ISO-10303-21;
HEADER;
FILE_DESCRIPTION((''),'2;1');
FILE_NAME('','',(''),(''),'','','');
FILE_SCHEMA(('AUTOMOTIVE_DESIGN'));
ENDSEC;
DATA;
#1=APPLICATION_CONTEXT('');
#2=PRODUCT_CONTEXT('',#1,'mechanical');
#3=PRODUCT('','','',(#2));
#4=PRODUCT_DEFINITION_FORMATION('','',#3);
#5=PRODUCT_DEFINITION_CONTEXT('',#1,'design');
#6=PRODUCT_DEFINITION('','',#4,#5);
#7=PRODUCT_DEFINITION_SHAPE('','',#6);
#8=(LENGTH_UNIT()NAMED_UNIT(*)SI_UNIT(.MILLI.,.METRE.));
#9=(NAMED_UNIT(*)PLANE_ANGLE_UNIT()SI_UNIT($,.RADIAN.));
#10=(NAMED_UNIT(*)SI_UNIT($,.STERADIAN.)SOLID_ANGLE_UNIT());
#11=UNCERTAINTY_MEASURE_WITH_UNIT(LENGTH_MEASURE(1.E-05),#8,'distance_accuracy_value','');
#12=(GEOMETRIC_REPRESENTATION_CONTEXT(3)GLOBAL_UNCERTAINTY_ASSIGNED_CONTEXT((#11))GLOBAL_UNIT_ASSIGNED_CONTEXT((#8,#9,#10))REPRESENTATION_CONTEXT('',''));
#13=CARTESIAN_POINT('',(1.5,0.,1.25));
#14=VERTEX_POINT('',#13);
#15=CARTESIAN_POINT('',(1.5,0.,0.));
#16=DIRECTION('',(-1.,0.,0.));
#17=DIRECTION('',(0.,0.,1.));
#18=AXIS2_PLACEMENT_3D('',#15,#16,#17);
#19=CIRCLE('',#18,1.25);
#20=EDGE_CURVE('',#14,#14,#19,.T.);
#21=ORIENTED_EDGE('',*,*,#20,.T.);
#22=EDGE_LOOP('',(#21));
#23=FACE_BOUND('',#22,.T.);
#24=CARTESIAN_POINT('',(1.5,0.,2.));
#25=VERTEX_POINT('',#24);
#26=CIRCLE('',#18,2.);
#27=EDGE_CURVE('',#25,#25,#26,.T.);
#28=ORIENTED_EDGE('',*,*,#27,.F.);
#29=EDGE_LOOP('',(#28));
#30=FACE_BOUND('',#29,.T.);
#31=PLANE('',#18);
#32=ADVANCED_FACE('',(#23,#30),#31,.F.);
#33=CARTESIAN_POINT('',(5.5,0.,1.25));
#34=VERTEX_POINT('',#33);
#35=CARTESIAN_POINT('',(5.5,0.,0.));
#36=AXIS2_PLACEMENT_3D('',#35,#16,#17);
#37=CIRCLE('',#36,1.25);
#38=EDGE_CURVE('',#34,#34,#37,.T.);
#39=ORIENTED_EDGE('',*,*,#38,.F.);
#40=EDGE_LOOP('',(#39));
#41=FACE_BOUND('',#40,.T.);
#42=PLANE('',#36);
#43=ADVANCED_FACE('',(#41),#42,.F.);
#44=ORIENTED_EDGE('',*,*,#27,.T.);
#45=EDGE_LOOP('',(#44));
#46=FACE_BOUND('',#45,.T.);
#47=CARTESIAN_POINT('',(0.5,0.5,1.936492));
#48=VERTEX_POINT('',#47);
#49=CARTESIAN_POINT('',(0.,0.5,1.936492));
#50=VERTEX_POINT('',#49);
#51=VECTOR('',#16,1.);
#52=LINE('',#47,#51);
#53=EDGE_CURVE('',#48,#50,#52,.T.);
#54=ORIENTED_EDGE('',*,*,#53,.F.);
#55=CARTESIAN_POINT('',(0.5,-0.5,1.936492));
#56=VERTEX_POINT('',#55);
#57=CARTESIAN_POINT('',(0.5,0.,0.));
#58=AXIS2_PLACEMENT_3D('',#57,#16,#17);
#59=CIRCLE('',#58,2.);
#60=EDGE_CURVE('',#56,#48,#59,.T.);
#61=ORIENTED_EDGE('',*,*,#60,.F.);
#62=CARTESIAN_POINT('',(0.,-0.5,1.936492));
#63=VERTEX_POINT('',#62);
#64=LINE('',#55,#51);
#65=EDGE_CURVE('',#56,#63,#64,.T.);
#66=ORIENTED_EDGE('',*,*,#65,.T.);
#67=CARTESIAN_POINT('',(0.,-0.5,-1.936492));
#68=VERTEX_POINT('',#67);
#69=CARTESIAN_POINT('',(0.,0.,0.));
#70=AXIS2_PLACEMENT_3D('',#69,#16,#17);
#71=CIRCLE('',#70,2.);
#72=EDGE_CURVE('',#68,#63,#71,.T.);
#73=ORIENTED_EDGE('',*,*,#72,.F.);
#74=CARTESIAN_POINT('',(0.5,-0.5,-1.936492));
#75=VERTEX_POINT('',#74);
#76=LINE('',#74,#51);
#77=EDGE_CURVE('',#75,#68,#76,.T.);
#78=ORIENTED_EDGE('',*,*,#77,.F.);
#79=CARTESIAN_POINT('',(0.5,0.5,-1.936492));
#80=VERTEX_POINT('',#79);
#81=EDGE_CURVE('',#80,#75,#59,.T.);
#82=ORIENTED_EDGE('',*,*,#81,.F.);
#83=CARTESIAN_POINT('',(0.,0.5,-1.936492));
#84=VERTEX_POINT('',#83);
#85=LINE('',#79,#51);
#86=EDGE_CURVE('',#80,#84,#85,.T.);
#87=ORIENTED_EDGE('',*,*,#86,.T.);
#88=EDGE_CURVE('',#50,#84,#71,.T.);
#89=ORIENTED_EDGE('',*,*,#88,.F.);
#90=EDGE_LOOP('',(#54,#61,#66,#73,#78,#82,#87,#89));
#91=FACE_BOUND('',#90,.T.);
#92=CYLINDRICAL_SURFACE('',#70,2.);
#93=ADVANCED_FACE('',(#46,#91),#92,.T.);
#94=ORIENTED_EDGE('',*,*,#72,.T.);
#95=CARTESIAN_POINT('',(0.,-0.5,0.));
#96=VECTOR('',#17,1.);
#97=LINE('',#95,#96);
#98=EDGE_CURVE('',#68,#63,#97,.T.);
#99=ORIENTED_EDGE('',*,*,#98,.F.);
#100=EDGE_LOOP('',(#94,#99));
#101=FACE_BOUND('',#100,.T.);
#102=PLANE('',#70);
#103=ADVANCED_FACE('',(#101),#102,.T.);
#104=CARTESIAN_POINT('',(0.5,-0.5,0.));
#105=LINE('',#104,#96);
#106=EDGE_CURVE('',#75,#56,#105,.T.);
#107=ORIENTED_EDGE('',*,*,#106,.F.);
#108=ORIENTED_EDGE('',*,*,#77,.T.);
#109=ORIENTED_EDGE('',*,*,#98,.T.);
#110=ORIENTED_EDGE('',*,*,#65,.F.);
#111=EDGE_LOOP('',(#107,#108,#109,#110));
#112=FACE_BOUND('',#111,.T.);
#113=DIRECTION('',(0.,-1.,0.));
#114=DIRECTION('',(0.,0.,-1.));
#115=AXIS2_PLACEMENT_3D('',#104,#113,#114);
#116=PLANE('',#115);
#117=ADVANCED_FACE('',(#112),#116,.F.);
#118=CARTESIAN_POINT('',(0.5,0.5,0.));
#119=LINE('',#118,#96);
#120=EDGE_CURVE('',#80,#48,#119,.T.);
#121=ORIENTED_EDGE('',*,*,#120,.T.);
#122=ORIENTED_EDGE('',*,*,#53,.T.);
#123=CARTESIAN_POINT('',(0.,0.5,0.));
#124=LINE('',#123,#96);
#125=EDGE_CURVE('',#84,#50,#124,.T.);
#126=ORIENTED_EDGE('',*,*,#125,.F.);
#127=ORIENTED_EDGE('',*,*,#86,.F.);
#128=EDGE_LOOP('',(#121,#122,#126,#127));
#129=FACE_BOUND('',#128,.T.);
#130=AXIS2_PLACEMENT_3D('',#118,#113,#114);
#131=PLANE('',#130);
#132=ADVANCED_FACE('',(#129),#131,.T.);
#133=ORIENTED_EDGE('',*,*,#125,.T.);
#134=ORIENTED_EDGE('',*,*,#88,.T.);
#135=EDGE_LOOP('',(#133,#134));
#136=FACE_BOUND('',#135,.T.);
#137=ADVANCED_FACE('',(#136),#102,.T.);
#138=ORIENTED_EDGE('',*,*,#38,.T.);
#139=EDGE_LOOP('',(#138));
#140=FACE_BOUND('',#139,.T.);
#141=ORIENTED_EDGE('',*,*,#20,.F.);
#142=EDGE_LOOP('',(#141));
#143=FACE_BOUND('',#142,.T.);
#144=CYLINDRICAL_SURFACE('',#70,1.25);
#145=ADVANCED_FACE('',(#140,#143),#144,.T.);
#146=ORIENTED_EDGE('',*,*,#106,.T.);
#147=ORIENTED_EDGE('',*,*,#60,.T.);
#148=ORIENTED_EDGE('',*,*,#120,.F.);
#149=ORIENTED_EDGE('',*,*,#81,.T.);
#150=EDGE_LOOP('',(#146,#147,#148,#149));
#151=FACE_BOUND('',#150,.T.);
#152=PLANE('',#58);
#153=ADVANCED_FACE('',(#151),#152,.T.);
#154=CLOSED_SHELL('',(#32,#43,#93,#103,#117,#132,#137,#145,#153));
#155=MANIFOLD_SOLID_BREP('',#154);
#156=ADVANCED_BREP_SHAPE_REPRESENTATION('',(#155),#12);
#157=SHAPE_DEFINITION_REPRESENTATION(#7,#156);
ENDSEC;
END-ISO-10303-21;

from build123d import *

# Parameters (mm, degrees)
CUT_EXTRUDE_2_DEPTH = 0.5


with BuildPart() as part:
    # Эскиз2 → Повернуть1 (revolve)
    with BuildSketch(Plane(origin=(0, 0, 0), x_dir=(1, 0, 0), z_dir=(0, 1, 0))):
        Polygon((0, 2), (0, 0), (5.5, 0), (5.5, 1.25), (1.5, 1.25), (1.5, 2), align=None)
    revolve(axis=Axis((0, 0, 0), (1, 0, 0)))

    # Эскиз3 → Вырез-Вытянуть2 (cut)
    with BuildSketch(Plane.ZY):
        with BuildLine():
            ThreePointArc((-1.936491673, 0.5), (-2, 0), (-1.936491673, -0.5))
            Line((-1.936491673, -0.5), (1.936491673, -0.5))
            ThreePointArc((1.936491673, -0.5), (1.984059393, -0.252008585), (2, 0))
            ThreePointArc((2, 0), (1.984059393, 0.252008585), (1.936491673, 0.5))
            Line((1.936491673, 0.5), (-1.936491673, 0.5))
        make_face()
    extrude(amount=-CUT_EXTRUDE_2_DEPTH, mode=Mode.SUBTRACT)


solid = part.part
